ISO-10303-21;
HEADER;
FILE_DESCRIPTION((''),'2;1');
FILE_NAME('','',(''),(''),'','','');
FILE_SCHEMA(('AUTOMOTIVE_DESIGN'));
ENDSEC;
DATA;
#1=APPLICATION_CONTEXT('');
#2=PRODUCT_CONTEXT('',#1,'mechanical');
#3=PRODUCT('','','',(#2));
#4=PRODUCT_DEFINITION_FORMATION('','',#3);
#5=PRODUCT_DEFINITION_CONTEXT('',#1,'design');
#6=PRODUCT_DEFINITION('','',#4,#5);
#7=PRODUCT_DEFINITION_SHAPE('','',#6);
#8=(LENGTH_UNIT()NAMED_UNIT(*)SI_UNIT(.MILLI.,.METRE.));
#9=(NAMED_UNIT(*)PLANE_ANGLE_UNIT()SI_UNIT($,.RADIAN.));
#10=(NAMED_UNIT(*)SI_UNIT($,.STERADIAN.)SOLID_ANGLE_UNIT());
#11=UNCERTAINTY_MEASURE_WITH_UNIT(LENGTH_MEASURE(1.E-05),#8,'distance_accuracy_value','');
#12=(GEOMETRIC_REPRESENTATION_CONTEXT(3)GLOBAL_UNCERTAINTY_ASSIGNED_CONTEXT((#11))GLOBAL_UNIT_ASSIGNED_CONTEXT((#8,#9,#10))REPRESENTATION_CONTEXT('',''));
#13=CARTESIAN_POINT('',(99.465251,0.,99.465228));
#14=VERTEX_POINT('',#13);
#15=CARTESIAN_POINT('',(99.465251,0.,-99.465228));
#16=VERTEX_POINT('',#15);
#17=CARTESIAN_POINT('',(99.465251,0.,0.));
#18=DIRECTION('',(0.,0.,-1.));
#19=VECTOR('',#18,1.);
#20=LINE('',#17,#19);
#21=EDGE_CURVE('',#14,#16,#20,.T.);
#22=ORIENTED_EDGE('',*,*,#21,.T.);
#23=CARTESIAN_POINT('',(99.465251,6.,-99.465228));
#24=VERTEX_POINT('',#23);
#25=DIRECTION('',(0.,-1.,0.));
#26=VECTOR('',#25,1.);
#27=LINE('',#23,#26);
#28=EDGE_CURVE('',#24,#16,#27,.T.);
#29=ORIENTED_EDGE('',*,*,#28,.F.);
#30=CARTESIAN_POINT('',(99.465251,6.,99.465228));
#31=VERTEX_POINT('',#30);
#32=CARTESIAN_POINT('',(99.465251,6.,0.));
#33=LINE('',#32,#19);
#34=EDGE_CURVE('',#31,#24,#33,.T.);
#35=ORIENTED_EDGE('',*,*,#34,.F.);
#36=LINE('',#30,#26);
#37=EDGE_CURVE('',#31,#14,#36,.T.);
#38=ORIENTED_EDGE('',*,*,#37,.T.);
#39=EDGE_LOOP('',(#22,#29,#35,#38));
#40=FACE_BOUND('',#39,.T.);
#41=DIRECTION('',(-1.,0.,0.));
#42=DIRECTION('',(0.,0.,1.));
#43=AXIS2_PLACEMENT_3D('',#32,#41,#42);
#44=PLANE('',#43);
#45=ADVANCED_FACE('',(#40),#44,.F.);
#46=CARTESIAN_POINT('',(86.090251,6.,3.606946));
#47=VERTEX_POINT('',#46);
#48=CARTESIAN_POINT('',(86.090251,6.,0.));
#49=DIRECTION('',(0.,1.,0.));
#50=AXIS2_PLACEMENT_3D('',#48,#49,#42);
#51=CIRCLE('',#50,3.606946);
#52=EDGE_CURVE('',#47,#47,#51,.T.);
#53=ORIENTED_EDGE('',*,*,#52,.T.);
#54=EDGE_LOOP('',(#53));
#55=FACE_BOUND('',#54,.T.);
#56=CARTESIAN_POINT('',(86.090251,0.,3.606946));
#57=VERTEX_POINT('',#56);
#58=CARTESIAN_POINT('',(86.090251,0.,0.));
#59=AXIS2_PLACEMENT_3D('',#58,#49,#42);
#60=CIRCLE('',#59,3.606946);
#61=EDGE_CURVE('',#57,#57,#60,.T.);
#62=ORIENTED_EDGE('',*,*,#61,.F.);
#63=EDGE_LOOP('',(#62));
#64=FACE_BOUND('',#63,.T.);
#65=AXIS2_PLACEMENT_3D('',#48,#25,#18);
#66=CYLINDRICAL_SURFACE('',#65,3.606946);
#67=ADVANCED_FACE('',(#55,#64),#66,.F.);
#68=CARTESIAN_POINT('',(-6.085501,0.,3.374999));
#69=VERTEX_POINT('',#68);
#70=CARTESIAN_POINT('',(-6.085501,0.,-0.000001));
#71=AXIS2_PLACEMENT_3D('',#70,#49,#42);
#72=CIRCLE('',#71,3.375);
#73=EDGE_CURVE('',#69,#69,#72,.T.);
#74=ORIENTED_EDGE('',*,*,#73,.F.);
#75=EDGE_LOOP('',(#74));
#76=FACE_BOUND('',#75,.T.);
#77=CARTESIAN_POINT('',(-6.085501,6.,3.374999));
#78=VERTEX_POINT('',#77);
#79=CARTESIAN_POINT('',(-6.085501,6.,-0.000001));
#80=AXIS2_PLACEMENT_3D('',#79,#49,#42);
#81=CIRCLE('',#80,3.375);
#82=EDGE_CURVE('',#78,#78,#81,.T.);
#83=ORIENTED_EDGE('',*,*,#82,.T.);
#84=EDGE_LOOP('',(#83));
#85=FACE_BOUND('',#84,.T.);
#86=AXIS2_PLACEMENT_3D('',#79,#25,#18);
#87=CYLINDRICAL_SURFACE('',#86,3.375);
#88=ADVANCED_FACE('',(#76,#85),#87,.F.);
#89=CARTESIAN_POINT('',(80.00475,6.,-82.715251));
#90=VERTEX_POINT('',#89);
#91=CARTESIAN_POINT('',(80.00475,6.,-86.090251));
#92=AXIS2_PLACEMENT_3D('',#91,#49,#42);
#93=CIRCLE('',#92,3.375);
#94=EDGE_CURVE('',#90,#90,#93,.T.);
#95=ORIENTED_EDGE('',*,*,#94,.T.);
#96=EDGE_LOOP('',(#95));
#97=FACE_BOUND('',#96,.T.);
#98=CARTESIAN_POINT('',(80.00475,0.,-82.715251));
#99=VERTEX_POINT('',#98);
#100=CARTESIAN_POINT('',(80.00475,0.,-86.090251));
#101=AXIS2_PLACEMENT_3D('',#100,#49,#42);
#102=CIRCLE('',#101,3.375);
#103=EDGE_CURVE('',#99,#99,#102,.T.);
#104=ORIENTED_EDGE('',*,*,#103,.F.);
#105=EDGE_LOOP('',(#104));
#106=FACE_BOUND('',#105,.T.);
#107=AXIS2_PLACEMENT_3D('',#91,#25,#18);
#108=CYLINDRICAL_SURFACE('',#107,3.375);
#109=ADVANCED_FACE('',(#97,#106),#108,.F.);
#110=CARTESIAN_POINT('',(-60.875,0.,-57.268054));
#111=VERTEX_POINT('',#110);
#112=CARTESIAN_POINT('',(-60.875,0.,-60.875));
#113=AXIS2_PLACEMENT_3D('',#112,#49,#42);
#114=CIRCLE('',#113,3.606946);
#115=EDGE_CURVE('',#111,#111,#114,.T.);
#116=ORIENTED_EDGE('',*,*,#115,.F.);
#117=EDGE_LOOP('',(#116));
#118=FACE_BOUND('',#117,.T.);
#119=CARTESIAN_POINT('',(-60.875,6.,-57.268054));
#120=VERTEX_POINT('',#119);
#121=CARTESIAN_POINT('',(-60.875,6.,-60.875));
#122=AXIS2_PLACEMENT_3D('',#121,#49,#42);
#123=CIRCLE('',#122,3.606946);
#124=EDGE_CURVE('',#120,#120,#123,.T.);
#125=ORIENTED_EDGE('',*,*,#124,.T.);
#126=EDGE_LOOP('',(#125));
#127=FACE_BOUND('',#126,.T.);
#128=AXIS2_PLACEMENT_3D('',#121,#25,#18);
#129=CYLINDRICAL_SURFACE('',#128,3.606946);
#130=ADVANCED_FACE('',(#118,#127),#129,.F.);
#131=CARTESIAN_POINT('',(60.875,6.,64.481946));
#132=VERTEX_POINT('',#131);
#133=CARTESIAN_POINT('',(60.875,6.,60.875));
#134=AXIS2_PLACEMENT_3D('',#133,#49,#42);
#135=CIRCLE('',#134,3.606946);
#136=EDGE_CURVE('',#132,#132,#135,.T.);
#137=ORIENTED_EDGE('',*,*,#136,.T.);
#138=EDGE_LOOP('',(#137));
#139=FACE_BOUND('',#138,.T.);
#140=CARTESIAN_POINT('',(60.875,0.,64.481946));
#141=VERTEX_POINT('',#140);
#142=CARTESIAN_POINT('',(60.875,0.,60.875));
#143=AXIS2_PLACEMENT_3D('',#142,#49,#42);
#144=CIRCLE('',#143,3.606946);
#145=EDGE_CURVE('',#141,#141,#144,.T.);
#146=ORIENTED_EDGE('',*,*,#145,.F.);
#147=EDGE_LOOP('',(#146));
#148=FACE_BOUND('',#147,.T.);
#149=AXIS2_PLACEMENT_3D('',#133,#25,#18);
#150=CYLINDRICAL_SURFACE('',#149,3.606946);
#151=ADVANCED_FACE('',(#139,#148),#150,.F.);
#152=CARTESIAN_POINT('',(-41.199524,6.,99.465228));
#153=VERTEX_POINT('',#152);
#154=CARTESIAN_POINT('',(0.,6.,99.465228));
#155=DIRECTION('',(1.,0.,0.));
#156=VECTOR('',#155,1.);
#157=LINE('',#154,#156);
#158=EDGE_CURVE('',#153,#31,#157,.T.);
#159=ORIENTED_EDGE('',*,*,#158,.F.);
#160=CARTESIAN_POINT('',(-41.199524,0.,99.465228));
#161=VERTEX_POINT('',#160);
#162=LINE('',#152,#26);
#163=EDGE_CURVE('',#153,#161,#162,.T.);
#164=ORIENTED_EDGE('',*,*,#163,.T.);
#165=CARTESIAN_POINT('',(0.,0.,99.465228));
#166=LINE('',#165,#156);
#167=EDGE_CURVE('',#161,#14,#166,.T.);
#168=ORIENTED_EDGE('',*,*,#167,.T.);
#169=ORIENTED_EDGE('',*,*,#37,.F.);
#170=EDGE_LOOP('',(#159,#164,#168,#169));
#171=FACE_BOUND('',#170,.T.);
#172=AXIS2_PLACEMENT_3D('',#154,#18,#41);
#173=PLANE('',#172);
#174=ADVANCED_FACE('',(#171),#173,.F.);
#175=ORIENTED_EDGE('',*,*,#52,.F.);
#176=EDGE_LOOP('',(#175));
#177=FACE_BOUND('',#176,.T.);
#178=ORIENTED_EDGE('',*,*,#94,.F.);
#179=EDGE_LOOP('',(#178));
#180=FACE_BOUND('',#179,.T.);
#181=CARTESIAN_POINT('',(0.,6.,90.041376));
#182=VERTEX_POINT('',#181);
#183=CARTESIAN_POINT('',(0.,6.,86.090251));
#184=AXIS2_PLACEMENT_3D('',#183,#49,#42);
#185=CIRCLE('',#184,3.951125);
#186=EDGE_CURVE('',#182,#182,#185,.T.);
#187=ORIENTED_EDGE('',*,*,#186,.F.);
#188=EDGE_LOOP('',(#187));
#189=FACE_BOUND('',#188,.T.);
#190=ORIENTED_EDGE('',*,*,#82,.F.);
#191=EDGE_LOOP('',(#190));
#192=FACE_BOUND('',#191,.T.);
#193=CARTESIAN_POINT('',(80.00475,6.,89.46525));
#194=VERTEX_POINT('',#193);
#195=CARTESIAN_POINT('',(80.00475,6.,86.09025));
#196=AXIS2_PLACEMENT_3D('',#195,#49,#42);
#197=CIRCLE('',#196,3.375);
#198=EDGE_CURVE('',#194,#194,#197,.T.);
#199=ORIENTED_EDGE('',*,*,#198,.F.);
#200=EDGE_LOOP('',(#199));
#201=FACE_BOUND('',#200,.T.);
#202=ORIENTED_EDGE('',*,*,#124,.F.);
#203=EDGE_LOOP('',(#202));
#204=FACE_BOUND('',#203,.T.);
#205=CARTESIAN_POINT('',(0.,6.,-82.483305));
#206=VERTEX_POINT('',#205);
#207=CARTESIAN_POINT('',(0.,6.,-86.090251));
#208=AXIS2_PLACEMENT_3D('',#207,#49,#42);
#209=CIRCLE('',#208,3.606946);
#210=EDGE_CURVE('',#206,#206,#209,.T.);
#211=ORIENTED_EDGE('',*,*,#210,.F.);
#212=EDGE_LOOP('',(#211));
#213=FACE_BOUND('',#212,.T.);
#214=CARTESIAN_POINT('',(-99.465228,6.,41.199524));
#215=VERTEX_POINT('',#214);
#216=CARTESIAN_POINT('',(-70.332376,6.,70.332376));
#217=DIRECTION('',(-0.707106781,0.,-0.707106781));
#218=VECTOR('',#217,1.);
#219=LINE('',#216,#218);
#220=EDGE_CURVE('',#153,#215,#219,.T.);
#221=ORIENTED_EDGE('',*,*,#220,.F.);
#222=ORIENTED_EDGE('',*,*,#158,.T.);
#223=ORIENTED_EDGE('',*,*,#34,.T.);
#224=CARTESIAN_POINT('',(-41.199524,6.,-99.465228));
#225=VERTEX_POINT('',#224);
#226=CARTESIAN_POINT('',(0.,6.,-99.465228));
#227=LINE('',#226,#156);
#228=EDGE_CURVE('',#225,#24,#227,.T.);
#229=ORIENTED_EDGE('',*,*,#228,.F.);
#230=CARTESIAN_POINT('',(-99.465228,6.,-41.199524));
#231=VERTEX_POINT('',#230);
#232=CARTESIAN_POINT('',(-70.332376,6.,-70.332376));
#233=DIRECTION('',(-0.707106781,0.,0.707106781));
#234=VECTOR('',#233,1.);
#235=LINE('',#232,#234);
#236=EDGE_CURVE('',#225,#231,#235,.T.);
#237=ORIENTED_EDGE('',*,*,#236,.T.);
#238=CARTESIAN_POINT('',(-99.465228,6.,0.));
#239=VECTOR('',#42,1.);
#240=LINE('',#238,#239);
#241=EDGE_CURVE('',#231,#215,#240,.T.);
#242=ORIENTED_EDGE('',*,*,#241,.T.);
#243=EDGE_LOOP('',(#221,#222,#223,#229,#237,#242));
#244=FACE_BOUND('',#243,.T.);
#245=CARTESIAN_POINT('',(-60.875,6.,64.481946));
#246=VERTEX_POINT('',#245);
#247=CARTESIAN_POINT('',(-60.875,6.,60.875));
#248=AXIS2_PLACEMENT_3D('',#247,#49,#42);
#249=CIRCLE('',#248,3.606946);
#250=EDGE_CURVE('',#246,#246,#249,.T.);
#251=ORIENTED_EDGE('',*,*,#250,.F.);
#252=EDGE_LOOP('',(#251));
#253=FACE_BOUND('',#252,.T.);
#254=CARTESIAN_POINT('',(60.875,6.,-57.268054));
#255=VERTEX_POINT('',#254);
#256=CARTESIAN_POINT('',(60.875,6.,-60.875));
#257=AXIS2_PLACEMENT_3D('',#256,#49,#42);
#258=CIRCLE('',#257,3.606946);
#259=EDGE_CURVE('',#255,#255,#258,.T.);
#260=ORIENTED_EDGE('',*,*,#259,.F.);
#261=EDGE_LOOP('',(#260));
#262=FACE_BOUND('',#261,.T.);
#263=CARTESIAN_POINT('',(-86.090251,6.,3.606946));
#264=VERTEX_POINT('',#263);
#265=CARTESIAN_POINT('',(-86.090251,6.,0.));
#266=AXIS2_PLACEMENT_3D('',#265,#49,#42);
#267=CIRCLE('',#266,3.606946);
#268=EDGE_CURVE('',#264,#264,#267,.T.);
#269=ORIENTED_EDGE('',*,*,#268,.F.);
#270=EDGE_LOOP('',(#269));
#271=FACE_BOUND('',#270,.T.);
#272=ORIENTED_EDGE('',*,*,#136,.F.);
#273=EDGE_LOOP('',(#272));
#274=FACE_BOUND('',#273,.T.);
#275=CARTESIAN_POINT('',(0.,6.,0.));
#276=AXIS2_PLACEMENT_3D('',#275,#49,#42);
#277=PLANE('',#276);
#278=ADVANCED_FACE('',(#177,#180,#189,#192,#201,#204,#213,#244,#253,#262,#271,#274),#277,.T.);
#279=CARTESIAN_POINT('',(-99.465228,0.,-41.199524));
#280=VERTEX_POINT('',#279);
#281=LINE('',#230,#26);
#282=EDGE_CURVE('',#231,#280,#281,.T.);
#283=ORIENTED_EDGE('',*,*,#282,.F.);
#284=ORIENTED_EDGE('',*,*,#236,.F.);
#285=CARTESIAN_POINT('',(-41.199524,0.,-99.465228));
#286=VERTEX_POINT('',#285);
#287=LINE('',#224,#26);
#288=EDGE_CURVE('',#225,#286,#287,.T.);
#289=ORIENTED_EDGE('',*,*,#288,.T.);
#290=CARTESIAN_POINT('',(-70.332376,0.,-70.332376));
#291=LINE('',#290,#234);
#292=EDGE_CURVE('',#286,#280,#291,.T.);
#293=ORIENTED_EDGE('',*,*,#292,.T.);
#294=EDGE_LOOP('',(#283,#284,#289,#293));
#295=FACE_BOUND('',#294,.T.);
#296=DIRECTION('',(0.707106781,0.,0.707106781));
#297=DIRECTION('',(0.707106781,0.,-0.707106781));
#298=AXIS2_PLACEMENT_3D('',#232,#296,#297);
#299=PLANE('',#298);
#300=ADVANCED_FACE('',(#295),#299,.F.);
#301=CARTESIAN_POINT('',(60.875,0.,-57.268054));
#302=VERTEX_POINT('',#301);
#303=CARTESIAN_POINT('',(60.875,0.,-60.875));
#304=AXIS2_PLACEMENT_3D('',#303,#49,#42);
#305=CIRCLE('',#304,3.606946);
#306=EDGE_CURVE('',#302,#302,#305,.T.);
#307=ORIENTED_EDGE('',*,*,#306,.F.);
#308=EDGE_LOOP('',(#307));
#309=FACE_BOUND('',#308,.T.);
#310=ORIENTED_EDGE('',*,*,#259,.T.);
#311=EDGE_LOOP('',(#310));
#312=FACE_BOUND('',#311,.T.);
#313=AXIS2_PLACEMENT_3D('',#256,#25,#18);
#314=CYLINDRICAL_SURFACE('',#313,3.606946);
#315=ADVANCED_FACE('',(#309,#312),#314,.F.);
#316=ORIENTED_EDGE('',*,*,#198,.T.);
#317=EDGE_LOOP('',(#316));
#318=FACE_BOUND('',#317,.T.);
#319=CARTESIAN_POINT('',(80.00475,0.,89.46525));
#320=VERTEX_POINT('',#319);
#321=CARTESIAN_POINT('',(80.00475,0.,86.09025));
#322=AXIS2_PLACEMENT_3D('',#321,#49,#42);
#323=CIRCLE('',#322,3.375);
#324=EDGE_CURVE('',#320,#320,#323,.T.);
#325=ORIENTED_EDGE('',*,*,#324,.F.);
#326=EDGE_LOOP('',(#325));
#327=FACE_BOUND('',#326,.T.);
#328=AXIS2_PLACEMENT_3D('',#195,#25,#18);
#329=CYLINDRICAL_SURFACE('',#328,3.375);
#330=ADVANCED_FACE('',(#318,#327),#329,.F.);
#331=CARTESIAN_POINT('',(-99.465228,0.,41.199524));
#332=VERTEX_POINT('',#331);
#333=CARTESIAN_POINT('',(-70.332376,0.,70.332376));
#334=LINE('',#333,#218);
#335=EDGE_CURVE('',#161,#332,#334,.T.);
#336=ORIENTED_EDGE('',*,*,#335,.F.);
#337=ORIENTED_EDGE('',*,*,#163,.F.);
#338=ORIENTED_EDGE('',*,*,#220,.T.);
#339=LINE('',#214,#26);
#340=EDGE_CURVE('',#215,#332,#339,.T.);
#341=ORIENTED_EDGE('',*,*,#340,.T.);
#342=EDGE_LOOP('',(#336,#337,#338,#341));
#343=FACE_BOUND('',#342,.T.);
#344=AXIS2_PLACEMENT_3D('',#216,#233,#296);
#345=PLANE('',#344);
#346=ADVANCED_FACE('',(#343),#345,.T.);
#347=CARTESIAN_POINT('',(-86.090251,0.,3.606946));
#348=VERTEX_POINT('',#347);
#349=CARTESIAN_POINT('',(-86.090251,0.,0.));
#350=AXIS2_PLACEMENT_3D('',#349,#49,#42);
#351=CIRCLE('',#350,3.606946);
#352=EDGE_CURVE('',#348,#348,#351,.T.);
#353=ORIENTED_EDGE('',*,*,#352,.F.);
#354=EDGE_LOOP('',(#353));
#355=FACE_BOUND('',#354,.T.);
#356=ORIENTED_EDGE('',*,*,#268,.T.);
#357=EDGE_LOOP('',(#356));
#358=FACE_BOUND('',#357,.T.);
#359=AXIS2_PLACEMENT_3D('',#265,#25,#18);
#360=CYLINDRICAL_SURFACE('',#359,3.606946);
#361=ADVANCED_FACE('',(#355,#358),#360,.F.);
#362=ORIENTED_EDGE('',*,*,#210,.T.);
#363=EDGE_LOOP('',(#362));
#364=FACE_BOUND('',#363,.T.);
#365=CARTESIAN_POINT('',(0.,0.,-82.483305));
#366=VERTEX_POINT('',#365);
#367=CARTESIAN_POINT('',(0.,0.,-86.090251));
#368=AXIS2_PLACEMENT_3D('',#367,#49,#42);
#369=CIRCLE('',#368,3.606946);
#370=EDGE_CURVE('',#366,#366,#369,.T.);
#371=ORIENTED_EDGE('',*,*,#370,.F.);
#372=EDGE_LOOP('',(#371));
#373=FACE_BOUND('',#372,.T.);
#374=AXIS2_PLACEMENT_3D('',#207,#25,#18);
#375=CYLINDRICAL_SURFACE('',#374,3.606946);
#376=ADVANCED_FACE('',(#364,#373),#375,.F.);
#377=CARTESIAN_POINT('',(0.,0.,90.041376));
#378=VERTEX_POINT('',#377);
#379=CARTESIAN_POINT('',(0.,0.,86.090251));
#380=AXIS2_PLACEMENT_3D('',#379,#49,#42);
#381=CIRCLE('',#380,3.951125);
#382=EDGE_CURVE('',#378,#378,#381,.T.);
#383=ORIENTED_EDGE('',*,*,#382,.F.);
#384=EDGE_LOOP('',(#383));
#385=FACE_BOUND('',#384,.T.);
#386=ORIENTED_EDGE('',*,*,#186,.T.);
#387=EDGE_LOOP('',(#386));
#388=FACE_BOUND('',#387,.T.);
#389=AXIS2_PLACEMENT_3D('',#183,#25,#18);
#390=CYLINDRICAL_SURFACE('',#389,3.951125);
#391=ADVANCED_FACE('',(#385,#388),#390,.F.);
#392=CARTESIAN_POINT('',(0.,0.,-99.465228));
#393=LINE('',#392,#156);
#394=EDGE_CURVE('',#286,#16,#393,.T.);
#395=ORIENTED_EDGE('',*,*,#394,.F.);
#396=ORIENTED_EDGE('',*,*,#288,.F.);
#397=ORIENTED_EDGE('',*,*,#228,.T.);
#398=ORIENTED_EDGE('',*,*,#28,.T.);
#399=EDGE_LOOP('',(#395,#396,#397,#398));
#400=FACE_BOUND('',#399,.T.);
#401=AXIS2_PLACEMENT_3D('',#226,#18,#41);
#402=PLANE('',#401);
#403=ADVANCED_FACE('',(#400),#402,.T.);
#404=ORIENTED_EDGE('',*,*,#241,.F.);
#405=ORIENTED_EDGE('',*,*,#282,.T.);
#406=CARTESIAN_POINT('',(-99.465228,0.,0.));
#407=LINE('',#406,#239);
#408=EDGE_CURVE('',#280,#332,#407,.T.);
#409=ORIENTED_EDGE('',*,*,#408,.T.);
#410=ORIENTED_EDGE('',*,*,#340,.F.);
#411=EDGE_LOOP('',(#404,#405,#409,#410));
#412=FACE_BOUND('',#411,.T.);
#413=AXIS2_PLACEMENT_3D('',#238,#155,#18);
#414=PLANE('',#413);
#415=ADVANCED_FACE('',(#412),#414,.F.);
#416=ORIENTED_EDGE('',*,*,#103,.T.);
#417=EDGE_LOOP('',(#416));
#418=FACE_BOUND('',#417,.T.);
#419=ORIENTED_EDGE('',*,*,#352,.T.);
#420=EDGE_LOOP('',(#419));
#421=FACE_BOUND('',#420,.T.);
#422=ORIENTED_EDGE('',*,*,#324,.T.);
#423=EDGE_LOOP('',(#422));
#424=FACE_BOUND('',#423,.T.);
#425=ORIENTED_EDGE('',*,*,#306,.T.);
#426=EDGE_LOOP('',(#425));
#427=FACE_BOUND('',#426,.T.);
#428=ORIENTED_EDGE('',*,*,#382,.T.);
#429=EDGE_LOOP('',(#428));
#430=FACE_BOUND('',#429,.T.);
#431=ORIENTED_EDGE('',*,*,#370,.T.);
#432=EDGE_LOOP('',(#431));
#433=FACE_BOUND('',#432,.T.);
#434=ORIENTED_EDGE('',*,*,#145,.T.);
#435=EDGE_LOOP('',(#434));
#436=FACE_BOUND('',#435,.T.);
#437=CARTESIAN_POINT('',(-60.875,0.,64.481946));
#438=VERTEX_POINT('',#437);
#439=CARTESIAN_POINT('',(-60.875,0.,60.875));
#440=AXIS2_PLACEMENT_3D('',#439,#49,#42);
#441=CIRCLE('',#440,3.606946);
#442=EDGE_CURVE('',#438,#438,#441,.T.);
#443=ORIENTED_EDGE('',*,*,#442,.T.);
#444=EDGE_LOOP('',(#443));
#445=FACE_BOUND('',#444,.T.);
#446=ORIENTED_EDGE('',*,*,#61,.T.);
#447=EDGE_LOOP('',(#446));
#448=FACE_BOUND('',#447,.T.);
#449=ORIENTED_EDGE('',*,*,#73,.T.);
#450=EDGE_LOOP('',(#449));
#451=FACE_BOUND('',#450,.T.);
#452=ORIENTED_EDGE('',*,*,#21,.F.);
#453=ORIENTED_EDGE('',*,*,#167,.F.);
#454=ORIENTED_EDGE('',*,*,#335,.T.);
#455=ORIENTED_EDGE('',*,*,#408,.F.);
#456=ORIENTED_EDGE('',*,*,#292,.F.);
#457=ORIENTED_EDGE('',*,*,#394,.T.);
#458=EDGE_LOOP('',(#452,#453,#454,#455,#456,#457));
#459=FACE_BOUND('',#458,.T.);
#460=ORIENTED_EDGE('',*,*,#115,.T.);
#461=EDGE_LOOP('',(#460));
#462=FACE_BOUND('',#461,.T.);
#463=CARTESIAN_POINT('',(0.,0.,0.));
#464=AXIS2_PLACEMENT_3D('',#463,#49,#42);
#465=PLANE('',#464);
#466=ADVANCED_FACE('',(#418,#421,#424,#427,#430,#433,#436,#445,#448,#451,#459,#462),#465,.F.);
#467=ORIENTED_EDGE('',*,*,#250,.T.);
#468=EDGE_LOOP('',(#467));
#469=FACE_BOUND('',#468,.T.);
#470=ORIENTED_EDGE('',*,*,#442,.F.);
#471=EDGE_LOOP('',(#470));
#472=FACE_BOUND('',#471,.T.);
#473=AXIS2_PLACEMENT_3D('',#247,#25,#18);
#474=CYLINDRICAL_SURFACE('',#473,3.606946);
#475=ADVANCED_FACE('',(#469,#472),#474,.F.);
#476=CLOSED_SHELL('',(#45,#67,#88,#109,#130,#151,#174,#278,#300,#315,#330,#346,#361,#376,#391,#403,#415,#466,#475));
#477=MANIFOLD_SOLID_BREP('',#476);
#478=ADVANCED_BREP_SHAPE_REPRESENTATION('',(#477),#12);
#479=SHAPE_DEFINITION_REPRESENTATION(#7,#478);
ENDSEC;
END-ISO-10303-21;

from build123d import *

# Parameters (mm, degrees)
SKETCH1_R           = 3.951125178
SKETCH1_R_2         = 3.606945722
SKETCH1_R_3         = 3.375000002
SKETCH1_R_4         = 3.375000001
SKETCH1_R_5         = 3.374999999
BOSS_EXTRUDE1_DEPTH = 6


with BuildPart() as part:
    # Sketch1 → Boss-Extrude1 (new body)
    with BuildSketch(Plane(origin=(0, 0, 0), x_dir=(1, 0, 0), z_dir=(0, 1, 0))):
        Polygon((-41.199524293, 99.465227688), (99.465250609, 99.465227688), (99.465250609, -99.465227688), (-41.199524293, -99.465227688), (-99.465227688, -41.199524293), (-99.465227688, 41.199524293), align=None)
        with Locations((0, -86.090250609)):
            Circle(SKETCH1_R, mode=Mode.SUBTRACT)
        with Locations((-86.090250609, 0)):
            Circle(SKETCH1_R_2, mode=Mode.SUBTRACT)
        with Locations((-60.875, 60.875)):
            Circle(SKETCH1_R_2, mode=Mode.SUBTRACT)
        with Locations((0, 86.090250609)):
            Circle(SKETCH1_R_2, mode=Mode.SUBTRACT)
        with Locations((60.875, 60.875)):
            Circle(SKETCH1_R_2, mode=Mode.SUBTRACT)
        with Locations((86.090250609, 0)):
            Circle(SKETCH1_R_2, mode=Mode.SUBTRACT)
        with Locations((60.875, -60.875)):
            Circle(SKETCH1_R_2, mode=Mode.SUBTRACT)
        with Locations((-60.875, -60.875)):
            Circle(SKETCH1_R_2, mode=Mode.SUBTRACT)
        with Locations((80.004750061, -86.090249939)):
            Circle(SKETCH1_R_3, mode=Mode.SUBTRACT)
        with Locations((-6.085500548, 6.7e-07)):
            Circle(SKETCH1_R_4, mode=Mode.SUBTRACT)
        with Locations((80.004750061, 86.09025128)):
            Circle(SKETCH1_R_5, mode=Mode.SUBTRACT)
    extrude(amount=BOSS_EXTRUDE1_DEPTH)


solid = part.part
